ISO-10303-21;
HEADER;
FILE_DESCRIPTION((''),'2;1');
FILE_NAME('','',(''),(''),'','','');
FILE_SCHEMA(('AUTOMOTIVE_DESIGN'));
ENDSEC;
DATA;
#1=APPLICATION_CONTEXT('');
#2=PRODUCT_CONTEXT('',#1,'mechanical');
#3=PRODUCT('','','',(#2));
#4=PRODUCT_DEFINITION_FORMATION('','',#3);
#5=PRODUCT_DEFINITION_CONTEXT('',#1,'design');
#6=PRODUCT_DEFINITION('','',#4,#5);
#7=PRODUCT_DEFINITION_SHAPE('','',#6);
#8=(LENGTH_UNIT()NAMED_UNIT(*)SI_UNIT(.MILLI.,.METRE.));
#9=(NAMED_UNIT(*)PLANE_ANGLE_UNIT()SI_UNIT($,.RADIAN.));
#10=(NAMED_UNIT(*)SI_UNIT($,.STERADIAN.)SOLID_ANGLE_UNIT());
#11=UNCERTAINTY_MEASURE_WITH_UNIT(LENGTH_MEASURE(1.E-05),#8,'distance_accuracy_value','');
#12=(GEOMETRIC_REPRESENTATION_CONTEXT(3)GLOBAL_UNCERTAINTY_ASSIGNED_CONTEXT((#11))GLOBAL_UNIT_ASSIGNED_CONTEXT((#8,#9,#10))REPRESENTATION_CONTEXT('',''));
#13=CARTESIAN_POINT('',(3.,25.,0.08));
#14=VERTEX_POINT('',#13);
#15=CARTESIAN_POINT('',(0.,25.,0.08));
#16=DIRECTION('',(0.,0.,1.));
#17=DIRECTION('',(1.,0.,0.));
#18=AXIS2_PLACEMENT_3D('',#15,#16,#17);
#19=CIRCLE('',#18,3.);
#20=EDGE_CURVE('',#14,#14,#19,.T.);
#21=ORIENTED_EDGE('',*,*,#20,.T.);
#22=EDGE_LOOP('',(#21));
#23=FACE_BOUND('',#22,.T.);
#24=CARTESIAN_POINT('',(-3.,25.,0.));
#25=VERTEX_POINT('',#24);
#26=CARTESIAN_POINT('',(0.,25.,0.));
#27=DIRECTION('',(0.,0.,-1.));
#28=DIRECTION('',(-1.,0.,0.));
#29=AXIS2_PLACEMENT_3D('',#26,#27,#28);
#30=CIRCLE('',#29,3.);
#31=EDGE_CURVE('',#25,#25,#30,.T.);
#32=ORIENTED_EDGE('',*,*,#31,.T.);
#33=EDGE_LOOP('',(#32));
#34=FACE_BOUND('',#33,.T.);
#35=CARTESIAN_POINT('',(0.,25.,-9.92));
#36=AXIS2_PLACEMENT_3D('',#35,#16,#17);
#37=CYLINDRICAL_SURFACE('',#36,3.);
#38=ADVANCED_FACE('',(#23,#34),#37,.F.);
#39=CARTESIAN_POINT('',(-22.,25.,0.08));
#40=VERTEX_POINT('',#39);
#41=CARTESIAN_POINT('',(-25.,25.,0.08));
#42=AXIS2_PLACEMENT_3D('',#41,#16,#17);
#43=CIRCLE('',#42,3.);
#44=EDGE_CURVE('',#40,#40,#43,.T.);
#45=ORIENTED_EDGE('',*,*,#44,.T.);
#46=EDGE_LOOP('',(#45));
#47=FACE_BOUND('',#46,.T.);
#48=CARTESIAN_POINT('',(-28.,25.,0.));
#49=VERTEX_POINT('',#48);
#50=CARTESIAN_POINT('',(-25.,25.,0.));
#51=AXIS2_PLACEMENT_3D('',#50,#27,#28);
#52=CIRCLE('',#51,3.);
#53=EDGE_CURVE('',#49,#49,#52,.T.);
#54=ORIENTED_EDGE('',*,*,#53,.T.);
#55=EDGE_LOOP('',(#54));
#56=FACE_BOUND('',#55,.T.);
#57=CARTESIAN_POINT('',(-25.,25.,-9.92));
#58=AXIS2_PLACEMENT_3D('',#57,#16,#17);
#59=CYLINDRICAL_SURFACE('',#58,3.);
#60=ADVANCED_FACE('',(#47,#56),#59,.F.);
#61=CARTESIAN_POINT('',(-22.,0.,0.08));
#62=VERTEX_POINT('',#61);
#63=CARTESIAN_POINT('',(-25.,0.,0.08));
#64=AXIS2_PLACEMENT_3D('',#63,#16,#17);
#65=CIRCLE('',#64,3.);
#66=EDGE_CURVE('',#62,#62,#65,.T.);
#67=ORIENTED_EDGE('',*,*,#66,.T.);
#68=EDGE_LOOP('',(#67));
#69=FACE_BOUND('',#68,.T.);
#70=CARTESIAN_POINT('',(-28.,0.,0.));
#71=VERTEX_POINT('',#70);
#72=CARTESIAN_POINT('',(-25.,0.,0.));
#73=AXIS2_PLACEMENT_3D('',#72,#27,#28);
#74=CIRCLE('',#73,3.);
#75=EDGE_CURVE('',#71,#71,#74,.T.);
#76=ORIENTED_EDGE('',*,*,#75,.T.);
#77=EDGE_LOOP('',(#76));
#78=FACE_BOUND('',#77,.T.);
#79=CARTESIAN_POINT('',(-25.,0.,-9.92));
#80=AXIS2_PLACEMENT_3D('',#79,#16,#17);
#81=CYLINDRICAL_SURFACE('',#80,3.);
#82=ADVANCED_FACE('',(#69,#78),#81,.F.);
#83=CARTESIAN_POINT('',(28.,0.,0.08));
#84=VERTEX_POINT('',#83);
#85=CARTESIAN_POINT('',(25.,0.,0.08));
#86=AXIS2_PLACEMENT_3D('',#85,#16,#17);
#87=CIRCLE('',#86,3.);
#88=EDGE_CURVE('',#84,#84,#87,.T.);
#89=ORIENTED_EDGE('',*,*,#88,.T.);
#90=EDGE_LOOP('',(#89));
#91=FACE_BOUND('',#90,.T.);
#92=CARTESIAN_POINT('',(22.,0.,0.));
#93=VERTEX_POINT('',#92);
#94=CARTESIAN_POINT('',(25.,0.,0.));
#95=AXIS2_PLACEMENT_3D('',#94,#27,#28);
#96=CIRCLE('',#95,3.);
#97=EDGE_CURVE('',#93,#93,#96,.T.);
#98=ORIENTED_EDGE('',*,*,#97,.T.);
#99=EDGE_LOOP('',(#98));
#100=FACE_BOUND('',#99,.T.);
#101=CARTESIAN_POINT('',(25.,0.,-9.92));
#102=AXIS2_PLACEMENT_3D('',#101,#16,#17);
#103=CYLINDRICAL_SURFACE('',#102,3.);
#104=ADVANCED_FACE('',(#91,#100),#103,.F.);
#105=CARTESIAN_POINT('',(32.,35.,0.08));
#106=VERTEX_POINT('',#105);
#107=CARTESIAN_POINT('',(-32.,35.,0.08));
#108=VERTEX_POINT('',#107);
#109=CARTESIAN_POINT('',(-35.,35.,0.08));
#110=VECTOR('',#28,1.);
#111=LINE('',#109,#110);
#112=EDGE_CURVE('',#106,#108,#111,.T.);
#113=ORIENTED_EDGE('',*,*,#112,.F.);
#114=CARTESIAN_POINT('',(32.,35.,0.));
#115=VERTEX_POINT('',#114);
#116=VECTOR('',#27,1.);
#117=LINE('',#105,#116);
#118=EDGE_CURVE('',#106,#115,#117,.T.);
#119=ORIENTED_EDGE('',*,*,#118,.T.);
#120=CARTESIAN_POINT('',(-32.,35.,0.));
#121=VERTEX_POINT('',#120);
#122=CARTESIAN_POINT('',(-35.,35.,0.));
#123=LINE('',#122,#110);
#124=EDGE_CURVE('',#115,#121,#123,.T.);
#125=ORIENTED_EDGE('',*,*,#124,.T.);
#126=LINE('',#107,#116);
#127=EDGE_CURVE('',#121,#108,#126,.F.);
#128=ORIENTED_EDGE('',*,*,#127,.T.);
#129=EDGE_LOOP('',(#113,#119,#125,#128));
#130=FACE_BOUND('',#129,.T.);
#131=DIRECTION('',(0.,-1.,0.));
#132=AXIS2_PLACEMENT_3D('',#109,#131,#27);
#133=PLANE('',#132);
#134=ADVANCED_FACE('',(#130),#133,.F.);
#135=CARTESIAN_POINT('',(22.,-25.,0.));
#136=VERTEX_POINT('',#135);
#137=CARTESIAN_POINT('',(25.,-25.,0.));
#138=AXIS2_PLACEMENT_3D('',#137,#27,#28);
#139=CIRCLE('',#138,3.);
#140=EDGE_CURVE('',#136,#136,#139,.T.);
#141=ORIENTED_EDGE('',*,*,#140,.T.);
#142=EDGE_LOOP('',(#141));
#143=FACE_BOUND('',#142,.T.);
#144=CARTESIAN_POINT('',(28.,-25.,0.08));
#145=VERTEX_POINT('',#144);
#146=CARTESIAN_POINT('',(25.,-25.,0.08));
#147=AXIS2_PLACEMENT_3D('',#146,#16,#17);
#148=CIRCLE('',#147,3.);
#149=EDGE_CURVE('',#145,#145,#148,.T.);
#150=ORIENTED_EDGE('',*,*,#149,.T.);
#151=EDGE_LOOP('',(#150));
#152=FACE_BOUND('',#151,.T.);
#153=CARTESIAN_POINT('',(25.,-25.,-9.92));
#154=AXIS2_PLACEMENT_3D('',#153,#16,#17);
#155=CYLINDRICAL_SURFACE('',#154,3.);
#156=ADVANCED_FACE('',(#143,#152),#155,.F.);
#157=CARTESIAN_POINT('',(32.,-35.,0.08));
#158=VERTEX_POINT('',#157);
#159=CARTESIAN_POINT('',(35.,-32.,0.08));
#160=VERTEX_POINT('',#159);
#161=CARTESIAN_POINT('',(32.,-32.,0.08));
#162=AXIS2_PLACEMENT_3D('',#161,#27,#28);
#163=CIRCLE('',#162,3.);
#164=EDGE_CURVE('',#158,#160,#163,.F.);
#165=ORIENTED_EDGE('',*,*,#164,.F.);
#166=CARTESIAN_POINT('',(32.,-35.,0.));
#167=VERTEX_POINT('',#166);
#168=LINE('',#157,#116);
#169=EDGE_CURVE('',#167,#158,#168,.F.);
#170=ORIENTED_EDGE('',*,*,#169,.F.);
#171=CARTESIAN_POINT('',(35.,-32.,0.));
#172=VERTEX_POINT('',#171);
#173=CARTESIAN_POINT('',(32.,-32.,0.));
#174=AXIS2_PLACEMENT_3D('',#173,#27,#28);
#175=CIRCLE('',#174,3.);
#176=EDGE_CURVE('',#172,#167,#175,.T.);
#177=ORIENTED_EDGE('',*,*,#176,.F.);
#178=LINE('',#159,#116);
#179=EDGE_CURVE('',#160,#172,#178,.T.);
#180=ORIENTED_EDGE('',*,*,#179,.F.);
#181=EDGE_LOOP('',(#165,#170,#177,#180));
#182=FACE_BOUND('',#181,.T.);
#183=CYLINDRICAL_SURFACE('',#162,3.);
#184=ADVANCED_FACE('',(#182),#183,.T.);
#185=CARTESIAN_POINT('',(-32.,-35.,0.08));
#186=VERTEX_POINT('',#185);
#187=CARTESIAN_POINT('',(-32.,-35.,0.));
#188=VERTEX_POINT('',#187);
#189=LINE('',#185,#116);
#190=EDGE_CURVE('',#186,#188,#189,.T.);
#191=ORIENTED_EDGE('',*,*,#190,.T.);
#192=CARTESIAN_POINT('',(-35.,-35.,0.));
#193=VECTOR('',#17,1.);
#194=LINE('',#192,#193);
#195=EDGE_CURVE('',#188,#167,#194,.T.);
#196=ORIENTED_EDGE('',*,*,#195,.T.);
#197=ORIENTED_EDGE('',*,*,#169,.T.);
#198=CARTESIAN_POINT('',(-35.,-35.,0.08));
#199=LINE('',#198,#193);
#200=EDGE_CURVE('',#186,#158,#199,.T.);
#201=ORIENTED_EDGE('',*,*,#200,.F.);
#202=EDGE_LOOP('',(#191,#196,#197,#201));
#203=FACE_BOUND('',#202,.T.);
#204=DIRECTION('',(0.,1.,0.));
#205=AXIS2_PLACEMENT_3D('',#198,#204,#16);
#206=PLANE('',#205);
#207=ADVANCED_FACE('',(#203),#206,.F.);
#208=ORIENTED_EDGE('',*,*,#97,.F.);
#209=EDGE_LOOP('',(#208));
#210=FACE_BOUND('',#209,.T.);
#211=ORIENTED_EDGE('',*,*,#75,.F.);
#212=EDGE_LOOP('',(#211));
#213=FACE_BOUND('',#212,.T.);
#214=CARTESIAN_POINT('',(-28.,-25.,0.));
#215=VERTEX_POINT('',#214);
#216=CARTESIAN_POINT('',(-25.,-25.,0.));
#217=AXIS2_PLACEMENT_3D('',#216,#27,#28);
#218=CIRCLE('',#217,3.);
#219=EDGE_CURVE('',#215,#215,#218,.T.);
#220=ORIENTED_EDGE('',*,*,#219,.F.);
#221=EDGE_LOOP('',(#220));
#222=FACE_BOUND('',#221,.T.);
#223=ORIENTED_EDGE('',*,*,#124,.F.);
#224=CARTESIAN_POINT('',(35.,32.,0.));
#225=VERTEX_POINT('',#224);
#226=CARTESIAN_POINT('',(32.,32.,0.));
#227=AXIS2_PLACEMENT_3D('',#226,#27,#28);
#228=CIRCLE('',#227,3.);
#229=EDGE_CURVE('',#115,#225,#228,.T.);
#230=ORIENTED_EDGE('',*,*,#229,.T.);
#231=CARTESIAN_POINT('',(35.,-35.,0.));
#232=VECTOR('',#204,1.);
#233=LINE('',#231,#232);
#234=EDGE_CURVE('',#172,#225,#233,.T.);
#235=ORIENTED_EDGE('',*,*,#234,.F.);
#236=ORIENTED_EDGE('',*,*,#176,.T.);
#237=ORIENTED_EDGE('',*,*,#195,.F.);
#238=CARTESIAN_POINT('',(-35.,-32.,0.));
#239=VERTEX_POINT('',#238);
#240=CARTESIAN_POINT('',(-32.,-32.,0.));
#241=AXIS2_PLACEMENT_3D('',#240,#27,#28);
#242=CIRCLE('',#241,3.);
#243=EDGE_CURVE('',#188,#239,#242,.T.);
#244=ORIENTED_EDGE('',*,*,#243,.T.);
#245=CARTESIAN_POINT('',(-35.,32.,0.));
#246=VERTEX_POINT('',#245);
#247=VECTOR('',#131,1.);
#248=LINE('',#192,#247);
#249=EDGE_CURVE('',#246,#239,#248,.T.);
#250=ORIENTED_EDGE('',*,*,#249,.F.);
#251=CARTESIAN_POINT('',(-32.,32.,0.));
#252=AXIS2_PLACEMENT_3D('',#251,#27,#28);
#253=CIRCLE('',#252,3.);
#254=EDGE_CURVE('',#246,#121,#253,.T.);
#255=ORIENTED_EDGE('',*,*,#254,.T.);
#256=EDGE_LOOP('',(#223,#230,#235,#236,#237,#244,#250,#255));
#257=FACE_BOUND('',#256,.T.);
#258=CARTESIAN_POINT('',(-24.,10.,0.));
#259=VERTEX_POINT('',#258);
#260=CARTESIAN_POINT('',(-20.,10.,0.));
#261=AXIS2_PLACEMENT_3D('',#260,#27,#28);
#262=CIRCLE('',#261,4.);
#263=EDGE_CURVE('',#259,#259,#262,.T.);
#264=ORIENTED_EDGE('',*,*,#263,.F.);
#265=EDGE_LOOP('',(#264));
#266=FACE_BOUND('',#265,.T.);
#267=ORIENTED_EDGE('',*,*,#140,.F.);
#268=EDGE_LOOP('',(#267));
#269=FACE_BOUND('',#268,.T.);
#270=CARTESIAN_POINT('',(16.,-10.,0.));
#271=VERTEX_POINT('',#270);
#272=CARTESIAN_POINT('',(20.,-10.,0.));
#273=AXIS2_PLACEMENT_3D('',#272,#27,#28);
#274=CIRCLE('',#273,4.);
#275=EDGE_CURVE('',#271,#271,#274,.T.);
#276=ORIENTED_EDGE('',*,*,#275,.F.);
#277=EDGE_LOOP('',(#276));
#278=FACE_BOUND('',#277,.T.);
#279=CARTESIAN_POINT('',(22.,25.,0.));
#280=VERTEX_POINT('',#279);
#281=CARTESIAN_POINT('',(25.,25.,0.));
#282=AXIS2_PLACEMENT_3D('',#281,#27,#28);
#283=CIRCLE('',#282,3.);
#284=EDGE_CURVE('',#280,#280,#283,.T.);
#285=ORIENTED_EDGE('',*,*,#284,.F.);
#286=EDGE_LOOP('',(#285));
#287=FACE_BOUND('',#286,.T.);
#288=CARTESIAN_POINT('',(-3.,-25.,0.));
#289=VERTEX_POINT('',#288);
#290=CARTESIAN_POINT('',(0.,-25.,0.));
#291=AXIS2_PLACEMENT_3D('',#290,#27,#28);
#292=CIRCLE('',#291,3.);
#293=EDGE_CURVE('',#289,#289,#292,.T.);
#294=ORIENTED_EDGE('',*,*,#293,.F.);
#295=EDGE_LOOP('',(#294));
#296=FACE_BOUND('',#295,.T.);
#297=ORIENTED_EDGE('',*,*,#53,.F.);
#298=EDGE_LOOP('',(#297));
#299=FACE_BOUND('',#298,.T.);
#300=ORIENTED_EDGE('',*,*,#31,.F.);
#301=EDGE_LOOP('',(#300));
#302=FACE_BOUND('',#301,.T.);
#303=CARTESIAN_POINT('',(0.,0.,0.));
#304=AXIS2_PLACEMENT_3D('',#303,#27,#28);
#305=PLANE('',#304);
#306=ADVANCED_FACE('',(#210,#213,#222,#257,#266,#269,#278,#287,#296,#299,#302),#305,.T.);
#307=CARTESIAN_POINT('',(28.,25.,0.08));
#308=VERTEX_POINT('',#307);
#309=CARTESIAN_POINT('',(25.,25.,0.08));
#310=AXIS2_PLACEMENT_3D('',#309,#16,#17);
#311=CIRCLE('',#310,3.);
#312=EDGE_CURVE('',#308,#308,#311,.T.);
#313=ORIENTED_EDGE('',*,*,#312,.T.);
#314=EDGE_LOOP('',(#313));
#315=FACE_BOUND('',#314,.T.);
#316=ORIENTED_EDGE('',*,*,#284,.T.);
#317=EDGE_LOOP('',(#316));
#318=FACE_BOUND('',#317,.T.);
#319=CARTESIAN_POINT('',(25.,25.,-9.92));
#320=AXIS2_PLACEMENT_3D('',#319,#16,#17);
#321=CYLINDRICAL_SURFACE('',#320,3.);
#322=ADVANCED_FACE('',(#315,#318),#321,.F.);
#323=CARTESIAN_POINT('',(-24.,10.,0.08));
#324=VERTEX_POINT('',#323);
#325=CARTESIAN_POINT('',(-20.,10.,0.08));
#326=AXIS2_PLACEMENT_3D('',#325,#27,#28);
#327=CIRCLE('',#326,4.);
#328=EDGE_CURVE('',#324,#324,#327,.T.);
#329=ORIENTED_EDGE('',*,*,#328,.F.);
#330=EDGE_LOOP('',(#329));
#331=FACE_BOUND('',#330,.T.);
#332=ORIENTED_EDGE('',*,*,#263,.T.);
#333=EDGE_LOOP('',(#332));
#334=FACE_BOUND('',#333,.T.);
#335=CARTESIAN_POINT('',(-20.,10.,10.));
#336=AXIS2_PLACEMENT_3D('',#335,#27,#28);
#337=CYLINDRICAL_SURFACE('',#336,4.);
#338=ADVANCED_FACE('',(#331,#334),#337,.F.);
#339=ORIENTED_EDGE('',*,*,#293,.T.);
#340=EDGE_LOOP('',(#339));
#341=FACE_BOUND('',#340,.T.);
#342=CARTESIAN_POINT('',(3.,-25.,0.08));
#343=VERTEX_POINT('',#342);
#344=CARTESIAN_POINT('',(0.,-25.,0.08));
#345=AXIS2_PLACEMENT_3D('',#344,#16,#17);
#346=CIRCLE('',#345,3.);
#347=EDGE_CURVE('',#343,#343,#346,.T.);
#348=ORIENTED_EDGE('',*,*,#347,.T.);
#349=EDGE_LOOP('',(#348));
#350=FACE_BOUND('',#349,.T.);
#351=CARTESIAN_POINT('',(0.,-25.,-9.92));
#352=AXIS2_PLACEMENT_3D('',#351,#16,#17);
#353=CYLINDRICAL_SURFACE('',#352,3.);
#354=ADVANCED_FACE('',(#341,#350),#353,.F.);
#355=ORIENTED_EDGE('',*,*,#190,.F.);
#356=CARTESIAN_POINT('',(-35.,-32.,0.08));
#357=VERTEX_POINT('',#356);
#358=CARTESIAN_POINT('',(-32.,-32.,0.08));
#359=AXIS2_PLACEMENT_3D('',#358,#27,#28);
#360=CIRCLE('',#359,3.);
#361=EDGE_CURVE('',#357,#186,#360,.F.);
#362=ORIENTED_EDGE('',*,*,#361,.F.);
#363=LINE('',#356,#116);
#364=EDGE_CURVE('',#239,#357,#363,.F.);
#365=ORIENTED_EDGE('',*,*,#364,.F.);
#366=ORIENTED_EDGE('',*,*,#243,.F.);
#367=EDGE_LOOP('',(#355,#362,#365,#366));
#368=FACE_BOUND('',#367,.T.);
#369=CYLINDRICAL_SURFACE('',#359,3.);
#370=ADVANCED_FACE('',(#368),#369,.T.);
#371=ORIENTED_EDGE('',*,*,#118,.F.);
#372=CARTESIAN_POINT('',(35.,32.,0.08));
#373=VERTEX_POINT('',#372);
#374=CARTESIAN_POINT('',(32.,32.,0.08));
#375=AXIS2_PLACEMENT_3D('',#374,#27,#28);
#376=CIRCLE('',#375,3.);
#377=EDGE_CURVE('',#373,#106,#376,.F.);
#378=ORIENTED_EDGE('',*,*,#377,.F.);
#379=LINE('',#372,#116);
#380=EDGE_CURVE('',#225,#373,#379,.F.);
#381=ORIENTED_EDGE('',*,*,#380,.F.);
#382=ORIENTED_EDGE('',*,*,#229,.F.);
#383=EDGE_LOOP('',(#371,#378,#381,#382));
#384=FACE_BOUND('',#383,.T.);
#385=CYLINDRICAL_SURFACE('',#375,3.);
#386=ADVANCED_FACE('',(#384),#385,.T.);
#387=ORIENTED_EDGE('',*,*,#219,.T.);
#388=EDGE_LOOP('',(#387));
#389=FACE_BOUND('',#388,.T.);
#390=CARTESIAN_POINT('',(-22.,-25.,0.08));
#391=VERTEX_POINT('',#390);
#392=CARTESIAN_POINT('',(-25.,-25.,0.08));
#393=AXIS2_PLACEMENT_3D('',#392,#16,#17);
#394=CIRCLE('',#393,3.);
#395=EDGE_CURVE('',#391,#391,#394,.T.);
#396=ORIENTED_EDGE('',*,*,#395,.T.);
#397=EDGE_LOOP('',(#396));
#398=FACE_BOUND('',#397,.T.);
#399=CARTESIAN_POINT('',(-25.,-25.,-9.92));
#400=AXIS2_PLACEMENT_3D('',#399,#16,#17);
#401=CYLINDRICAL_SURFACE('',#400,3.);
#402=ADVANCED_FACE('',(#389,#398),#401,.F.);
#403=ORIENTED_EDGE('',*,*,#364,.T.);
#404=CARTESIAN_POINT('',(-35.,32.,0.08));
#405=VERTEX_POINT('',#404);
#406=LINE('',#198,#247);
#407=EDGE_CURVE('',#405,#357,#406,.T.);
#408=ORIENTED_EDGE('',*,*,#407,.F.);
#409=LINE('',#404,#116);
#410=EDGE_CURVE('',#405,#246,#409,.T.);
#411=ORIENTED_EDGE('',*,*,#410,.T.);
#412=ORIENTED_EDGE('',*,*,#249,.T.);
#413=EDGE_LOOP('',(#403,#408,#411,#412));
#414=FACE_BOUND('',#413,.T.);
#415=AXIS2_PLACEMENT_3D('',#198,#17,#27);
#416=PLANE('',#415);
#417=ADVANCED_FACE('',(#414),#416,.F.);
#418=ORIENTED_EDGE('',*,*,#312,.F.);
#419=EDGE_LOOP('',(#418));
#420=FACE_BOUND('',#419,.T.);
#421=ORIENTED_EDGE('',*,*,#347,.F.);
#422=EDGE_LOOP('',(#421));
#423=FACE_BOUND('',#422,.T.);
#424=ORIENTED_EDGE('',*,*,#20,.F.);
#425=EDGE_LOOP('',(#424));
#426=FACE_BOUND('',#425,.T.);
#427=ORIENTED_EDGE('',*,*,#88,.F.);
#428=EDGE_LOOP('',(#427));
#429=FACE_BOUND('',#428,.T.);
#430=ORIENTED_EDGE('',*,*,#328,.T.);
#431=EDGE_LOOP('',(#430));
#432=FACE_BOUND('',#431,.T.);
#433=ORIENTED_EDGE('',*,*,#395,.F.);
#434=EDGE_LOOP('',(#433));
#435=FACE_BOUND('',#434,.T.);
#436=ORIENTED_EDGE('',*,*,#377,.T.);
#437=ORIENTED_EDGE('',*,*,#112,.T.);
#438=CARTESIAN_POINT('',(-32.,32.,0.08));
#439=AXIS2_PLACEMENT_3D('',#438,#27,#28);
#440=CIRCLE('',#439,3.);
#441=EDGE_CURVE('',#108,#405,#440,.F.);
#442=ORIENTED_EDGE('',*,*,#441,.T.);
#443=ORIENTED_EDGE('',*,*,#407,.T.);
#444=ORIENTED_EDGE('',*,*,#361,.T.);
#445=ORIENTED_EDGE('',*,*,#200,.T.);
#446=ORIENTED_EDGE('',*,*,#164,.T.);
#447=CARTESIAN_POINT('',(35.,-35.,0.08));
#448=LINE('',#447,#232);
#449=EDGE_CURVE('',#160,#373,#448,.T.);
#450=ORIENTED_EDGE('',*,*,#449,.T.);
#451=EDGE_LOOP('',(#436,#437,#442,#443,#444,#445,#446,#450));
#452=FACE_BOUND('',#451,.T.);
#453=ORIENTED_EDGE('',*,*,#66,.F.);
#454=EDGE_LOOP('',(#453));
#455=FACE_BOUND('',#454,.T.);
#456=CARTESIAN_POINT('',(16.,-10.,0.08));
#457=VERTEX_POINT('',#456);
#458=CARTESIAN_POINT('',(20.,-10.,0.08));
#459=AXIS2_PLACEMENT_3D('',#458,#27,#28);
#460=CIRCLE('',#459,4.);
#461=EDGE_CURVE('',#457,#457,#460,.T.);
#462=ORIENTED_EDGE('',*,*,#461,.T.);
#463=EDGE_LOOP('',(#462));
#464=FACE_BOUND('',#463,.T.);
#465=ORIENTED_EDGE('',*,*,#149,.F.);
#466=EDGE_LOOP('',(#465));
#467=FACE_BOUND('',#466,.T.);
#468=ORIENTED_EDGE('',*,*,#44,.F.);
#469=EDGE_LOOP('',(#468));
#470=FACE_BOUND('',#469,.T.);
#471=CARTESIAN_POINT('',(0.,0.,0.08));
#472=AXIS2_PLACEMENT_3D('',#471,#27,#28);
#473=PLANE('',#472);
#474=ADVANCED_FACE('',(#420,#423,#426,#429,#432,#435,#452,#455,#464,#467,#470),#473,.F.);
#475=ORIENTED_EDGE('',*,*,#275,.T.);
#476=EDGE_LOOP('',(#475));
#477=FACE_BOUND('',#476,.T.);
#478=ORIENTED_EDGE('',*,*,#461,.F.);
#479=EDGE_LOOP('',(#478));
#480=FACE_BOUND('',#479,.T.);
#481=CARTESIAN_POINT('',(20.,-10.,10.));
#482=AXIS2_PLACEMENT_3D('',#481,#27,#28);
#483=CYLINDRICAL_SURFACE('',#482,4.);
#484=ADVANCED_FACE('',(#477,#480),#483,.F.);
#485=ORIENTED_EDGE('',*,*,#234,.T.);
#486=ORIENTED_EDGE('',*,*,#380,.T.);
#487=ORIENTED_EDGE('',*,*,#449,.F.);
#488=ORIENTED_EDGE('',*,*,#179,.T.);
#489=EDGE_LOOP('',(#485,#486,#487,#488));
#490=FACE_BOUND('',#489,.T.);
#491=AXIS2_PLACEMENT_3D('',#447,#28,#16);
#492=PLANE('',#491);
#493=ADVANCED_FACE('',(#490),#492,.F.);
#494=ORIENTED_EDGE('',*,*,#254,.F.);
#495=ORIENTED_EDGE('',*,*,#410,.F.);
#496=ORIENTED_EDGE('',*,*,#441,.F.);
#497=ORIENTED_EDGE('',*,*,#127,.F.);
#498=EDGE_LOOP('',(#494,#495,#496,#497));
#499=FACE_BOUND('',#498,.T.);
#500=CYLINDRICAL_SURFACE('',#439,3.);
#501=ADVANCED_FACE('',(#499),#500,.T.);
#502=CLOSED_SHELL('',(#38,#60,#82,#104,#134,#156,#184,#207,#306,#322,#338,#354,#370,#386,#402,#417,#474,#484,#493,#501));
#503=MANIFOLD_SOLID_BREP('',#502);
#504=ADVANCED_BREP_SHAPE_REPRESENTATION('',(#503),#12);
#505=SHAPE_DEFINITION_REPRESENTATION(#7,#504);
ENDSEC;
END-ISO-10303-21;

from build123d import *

# Parameters (mm, degrees)
SKETCH1_W           = 70
SKETCH1_H           = 70
BOSS_EXTRUDE1_DEPTH = 0.08
SKETCH2_R           = 3
CUT_EXTRUDE1_DEPTH  = 10
FILLET1_R           = 3
SKETCH3_R           = 4
CUT_EXTRUDE2_DEPTH  = 10


with BuildPart() as part:
    # Sketch1 → Boss-Extrude1 (new body)
    with BuildSketch(Plane.XY):
        Rectangle(SKETCH1_W, SKETCH1_H)
    extrude(amount=BOSS_EXTRUDE1_DEPTH)

    # Sketch2 → Cut-Extrude1 (cut)
    with BuildSketch(Plane.XY.offset(0.08)):
        with Locations((0, 25)):
            Circle(SKETCH2_R)
        with Locations((25, 25)):
            Circle(SKETCH2_R)
        with Locations((25, 0)):
            Circle(SKETCH2_R)
        with Locations((-25, 0)):
            Circle(SKETCH2_R)
        with Locations((-25, 25)):
            Circle(SKETCH2_R)
        with Locations((-25, -25)):
            Circle(SKETCH2_R)
        with Locations((0, -25)):
            Circle(SKETCH2_R)
        with Locations((25, -25)):
            Circle(SKETCH2_R)
    extrude(amount=-CUT_EXTRUDE1_DEPTH, mode=Mode.SUBTRACT)

    # Fillet1
    fillet1_edges = [part.edges().sort_by_distance(p)[0] for p in [
        (35, -35, 0.04),
        (-35, -35, 0.04),
        (-35, 35, 0.04),
        (35, 35, 0.04),
    ]]
    fillet(fillet1_edges, radius=FILLET1_R)

    # Sketch3 → Cut-Extrude2 (cut)
    with BuildSketch(Plane(origin=(0, 0, 0), x_dir=(-1, 0, 0), z_dir=(0, 0, -1))):
        with Locations((20, 10)):
            Circle(SKETCH3_R)
        with Locations((-20, -10)):
            Circle(SKETCH3_R)
    extrude(amount=-CUT_EXTRUDE2_DEPTH, mode=Mode.SUBTRACT)


solid = part.part
